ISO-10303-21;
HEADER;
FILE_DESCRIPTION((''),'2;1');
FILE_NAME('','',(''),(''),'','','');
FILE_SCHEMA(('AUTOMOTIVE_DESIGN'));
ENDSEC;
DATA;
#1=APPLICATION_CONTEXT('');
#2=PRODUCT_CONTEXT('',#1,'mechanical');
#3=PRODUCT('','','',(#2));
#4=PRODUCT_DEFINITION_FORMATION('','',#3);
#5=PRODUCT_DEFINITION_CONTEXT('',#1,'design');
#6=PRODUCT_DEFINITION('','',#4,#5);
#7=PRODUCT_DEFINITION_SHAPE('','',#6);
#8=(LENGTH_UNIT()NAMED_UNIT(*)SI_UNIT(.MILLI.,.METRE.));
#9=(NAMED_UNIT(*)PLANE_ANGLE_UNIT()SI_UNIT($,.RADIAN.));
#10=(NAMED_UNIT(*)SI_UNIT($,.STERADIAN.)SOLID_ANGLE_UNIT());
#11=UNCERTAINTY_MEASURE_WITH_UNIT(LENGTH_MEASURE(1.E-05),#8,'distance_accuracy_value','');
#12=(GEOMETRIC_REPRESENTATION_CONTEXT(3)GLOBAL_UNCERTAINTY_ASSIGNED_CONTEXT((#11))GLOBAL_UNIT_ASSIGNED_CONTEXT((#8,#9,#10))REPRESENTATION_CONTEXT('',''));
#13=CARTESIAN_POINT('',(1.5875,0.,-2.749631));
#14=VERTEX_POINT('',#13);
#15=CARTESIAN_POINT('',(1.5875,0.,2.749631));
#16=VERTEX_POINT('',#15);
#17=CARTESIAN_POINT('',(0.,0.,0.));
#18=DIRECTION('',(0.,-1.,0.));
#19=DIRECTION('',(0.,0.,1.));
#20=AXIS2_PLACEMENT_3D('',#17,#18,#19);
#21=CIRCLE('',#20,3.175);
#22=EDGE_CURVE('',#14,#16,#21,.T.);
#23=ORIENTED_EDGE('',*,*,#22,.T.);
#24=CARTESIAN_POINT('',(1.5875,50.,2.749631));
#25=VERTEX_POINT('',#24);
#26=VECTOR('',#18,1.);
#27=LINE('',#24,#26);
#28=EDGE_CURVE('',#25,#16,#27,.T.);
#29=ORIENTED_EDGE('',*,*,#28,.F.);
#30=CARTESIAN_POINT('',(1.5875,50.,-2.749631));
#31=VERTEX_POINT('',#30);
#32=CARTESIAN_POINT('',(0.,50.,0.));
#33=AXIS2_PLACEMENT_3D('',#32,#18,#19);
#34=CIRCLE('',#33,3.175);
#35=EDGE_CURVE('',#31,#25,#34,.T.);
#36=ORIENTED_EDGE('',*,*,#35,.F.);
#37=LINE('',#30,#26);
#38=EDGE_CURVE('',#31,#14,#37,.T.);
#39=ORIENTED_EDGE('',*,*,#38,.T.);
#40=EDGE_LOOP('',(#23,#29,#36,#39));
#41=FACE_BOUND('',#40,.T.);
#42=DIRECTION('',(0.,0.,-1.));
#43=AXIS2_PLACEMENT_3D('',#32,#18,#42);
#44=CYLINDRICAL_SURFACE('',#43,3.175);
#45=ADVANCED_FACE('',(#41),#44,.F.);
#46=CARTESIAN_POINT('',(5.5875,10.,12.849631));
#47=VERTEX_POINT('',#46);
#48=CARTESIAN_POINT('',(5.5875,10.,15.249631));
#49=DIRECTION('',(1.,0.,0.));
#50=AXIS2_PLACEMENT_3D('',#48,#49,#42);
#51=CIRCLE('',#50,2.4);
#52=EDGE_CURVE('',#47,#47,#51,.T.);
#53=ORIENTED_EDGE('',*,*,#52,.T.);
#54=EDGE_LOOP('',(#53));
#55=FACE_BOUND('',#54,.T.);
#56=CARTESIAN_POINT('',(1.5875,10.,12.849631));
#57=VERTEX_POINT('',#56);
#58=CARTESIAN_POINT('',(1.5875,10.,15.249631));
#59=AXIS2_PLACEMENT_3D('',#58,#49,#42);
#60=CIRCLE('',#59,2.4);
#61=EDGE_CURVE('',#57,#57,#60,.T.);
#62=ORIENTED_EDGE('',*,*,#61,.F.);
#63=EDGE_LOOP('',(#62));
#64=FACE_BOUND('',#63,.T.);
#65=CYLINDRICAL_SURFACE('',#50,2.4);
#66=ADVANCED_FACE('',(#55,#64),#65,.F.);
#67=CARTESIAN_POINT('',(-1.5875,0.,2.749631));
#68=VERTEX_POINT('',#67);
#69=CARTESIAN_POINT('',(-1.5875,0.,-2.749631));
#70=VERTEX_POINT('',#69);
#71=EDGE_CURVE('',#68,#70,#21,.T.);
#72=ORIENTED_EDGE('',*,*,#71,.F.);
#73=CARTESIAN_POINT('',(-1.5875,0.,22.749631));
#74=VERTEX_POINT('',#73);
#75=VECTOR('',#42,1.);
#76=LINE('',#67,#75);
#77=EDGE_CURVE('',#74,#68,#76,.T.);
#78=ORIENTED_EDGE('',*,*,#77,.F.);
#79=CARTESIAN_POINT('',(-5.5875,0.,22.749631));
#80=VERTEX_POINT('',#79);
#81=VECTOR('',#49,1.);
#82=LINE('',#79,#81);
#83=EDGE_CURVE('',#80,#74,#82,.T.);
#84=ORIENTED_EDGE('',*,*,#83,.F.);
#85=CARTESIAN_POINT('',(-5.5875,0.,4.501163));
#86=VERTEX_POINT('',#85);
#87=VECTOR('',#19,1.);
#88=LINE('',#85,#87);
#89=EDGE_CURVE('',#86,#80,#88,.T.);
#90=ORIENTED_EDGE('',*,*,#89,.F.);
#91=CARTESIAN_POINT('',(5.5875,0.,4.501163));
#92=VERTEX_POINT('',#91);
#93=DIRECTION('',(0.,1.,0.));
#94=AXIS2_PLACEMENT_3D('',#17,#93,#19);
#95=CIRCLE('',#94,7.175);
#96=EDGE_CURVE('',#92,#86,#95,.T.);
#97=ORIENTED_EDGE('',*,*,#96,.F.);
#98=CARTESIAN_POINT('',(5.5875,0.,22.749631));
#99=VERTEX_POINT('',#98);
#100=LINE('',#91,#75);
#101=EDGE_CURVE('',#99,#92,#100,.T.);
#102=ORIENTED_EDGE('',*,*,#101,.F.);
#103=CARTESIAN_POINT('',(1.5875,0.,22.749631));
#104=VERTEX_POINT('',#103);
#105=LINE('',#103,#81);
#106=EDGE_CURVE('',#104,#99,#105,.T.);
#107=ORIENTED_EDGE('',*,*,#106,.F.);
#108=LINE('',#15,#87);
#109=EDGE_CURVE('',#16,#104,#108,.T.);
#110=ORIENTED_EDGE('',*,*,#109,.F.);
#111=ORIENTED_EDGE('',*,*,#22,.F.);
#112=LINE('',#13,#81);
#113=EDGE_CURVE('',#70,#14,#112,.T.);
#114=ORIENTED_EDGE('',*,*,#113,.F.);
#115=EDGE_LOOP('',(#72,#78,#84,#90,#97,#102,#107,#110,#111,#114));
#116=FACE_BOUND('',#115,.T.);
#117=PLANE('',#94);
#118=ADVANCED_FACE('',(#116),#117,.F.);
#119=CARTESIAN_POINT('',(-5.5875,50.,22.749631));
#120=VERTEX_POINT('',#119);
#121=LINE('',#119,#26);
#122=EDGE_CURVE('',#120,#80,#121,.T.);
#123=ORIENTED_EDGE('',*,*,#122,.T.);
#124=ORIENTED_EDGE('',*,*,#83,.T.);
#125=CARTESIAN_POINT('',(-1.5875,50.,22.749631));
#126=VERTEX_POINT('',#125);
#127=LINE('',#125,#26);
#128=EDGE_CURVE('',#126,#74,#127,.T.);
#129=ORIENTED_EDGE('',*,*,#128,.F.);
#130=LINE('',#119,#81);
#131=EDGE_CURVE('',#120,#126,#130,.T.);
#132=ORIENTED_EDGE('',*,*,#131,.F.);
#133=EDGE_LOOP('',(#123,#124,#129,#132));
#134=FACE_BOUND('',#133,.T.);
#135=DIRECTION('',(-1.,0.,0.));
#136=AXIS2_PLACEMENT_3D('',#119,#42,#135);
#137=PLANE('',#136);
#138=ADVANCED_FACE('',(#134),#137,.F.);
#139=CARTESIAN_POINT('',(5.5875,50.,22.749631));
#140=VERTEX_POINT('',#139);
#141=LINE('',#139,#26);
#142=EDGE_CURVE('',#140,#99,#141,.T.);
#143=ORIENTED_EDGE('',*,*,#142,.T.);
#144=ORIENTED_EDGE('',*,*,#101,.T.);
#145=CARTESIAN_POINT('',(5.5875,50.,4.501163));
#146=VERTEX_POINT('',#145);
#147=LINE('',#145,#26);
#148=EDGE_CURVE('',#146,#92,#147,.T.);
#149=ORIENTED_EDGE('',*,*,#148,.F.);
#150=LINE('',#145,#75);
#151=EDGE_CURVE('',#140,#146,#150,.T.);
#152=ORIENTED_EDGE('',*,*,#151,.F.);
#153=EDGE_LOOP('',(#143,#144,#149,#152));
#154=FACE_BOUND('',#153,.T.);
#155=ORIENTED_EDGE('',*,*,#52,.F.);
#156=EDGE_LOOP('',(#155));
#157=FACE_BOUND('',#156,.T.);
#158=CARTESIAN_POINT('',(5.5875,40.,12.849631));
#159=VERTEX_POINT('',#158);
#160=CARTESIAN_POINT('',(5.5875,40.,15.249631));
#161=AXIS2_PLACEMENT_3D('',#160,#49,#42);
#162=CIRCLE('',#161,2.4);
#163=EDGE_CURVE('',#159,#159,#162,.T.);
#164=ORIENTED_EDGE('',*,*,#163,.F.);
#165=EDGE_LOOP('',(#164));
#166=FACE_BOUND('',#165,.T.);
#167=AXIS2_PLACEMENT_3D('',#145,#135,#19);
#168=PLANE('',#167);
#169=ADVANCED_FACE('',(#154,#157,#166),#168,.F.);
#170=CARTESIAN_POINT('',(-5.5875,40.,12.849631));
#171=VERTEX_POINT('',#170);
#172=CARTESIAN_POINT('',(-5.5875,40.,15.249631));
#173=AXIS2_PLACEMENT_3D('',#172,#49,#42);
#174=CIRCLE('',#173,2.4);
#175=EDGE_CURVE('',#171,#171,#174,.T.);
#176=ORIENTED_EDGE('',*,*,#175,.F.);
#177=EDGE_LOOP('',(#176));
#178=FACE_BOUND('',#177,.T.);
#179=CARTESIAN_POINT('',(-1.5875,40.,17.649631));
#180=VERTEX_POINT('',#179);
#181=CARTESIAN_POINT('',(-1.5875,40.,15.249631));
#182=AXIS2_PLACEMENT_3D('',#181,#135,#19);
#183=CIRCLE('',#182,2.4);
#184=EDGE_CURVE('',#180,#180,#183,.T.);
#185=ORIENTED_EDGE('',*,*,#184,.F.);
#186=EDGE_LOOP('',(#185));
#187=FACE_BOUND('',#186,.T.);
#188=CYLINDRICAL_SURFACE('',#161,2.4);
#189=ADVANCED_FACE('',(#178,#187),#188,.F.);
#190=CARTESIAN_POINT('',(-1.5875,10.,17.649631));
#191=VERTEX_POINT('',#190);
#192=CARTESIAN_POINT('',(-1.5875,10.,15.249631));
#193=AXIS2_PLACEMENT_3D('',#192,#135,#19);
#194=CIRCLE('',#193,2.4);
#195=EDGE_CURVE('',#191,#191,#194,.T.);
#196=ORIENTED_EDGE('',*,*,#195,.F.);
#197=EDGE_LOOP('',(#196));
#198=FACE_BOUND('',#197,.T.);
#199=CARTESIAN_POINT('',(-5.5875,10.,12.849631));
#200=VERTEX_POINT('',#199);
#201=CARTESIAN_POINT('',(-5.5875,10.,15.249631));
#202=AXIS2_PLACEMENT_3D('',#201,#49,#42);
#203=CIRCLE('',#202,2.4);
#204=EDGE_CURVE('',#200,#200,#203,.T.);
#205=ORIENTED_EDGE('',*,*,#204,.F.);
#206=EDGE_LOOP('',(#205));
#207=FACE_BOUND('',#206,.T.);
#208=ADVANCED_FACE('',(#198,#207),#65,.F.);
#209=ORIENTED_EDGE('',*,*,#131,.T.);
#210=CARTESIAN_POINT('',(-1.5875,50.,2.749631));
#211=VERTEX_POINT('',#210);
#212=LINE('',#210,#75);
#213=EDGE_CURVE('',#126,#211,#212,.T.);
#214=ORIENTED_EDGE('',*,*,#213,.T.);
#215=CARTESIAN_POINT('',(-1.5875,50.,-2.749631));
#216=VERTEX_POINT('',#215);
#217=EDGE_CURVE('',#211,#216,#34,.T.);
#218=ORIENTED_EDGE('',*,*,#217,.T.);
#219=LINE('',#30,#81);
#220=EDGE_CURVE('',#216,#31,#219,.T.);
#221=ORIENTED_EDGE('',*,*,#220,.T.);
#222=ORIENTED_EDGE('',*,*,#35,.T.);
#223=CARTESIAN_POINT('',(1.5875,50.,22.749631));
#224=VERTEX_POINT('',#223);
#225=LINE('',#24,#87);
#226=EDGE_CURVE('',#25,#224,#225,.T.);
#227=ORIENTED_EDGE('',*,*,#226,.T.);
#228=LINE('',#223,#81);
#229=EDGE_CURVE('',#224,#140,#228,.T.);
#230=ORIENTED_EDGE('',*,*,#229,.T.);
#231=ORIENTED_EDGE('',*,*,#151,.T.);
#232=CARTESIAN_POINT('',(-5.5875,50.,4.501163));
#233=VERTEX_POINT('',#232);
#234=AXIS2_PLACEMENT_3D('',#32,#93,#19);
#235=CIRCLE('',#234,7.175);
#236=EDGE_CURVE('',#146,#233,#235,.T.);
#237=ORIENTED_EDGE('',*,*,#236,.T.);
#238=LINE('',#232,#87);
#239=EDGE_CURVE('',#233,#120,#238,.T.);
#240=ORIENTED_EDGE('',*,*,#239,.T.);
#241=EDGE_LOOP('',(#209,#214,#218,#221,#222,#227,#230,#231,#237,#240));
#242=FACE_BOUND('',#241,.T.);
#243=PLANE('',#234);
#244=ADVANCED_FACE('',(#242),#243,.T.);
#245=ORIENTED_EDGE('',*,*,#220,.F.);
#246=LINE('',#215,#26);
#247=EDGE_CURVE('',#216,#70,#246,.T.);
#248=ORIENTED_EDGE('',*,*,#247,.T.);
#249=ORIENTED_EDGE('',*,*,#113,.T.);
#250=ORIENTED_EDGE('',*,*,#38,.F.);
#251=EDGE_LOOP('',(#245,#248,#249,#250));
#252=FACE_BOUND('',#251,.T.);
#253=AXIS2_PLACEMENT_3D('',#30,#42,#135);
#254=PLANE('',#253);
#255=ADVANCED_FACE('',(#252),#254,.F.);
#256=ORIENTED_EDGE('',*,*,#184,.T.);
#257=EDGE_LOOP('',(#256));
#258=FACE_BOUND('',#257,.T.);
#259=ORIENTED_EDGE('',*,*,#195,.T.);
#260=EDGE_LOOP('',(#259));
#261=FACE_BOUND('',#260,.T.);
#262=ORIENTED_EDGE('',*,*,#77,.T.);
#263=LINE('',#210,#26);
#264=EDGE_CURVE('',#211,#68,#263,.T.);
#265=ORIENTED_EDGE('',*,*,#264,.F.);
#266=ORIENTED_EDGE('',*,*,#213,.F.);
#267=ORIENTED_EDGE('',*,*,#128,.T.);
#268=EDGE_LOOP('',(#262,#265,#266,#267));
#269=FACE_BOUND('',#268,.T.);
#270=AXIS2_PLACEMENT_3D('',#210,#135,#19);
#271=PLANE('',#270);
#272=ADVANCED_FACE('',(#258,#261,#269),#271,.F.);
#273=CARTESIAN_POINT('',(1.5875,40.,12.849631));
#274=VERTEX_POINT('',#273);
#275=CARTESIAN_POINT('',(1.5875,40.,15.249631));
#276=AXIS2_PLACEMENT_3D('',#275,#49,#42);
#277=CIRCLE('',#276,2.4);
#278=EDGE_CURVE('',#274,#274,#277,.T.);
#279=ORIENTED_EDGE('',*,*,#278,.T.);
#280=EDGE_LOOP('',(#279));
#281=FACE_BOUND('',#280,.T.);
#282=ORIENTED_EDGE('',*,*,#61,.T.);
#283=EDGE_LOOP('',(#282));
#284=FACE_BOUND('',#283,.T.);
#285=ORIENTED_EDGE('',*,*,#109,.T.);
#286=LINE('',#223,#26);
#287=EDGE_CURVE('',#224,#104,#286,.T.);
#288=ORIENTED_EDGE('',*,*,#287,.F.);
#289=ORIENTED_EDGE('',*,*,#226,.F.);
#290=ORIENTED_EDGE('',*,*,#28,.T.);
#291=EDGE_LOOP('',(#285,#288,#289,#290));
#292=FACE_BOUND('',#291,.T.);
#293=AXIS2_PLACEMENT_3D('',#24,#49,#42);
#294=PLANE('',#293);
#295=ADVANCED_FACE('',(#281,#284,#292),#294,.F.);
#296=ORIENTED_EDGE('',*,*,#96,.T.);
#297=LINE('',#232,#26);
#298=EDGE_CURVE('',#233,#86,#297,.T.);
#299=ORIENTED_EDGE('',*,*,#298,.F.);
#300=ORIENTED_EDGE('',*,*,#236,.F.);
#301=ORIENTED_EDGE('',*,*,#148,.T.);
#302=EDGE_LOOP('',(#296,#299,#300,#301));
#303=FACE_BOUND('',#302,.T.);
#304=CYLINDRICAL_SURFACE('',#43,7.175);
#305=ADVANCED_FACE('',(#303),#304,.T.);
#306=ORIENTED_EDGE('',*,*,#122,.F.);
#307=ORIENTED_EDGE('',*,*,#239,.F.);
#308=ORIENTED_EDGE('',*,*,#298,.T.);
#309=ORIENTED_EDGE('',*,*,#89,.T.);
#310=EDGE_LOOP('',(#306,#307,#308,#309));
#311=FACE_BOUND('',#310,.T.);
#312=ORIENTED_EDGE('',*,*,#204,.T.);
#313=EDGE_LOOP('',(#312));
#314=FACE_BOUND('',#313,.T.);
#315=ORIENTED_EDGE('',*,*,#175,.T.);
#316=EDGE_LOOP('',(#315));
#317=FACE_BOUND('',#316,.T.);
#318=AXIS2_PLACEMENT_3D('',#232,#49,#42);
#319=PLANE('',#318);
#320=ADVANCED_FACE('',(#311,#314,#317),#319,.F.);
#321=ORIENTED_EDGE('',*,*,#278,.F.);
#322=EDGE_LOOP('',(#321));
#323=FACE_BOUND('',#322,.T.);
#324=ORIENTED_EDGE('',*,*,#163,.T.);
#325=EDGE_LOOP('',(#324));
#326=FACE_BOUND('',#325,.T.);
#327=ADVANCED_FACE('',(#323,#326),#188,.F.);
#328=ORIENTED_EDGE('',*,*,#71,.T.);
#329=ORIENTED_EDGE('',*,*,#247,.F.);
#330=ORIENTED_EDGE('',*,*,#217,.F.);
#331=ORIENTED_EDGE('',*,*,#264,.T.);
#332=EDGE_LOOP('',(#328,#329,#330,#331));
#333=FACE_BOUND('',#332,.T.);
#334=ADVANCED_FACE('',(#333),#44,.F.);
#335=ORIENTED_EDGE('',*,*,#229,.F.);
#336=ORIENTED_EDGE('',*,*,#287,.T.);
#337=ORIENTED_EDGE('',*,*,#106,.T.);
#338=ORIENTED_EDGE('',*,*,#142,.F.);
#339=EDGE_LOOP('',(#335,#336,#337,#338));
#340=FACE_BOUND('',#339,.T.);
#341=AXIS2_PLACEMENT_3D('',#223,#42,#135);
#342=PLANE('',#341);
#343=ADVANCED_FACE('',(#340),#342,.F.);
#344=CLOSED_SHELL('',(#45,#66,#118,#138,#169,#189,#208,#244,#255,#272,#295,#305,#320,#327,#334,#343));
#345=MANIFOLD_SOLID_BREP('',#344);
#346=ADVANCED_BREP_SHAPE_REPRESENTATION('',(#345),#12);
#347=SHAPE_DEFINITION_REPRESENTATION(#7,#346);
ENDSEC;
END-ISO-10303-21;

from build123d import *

# Parameters (mm, degrees)
BOSS_EXTRUDE1_DEPTH  = 50
M4_CLEARANCE_HOLE1_D = 4.8


with BuildPart() as part:
    # Sketch1 → Boss-Extrude1 (new body)
    with BuildSketch(Plane(origin=(0, 0, 0), x_dir=(1, 0, 0), z_dir=(0, 1, 0))):
        with BuildLine():
            Line((-1.5875, -2.749630657), (-1.5875, -22.749630657))
            Line((-1.5875, -22.749630657), (-5.5875, -22.749630657))
            Line((-5.5875, -22.749630657), (-5.5875, -4.501163044))
            ThreePointArc((-5.5875, -4.501163044), (0, 7.175), (5.5875, -4.501163044))
            Line((5.5875, -4.501163044), (5.5875, -22.749630657))
            Line((5.5875, -22.749630657), (1.5875, -22.749630657))
            Line((1.5875, -22.749630657), (1.5875, -2.749630657))
            ThreePointArc((1.5875, -2.749630657), (3.175, 0), (1.5875, 2.749630657))
            Line((1.5875, 2.749630657), (-1.5875, 2.749630657))
            ThreePointArc((-1.5875, 2.749630657), (-3.175, 0), (-1.5875, -2.749630657))
        make_face()
    extrude(amount=BOSS_EXTRUDE1_DEPTH)

    # M4 Clearance Hole1 (through all)
    with Locations(Plane(origin=(5.5875, 0, 0), x_dir=(0, 0, -1), z_dir=(1, 0, 0))):
        with Locations((-15.249630657, 40), (-15.249630657, 10)):
            Hole(M4_CLEARANCE_HOLE1_D / 2)


solid = part.part
